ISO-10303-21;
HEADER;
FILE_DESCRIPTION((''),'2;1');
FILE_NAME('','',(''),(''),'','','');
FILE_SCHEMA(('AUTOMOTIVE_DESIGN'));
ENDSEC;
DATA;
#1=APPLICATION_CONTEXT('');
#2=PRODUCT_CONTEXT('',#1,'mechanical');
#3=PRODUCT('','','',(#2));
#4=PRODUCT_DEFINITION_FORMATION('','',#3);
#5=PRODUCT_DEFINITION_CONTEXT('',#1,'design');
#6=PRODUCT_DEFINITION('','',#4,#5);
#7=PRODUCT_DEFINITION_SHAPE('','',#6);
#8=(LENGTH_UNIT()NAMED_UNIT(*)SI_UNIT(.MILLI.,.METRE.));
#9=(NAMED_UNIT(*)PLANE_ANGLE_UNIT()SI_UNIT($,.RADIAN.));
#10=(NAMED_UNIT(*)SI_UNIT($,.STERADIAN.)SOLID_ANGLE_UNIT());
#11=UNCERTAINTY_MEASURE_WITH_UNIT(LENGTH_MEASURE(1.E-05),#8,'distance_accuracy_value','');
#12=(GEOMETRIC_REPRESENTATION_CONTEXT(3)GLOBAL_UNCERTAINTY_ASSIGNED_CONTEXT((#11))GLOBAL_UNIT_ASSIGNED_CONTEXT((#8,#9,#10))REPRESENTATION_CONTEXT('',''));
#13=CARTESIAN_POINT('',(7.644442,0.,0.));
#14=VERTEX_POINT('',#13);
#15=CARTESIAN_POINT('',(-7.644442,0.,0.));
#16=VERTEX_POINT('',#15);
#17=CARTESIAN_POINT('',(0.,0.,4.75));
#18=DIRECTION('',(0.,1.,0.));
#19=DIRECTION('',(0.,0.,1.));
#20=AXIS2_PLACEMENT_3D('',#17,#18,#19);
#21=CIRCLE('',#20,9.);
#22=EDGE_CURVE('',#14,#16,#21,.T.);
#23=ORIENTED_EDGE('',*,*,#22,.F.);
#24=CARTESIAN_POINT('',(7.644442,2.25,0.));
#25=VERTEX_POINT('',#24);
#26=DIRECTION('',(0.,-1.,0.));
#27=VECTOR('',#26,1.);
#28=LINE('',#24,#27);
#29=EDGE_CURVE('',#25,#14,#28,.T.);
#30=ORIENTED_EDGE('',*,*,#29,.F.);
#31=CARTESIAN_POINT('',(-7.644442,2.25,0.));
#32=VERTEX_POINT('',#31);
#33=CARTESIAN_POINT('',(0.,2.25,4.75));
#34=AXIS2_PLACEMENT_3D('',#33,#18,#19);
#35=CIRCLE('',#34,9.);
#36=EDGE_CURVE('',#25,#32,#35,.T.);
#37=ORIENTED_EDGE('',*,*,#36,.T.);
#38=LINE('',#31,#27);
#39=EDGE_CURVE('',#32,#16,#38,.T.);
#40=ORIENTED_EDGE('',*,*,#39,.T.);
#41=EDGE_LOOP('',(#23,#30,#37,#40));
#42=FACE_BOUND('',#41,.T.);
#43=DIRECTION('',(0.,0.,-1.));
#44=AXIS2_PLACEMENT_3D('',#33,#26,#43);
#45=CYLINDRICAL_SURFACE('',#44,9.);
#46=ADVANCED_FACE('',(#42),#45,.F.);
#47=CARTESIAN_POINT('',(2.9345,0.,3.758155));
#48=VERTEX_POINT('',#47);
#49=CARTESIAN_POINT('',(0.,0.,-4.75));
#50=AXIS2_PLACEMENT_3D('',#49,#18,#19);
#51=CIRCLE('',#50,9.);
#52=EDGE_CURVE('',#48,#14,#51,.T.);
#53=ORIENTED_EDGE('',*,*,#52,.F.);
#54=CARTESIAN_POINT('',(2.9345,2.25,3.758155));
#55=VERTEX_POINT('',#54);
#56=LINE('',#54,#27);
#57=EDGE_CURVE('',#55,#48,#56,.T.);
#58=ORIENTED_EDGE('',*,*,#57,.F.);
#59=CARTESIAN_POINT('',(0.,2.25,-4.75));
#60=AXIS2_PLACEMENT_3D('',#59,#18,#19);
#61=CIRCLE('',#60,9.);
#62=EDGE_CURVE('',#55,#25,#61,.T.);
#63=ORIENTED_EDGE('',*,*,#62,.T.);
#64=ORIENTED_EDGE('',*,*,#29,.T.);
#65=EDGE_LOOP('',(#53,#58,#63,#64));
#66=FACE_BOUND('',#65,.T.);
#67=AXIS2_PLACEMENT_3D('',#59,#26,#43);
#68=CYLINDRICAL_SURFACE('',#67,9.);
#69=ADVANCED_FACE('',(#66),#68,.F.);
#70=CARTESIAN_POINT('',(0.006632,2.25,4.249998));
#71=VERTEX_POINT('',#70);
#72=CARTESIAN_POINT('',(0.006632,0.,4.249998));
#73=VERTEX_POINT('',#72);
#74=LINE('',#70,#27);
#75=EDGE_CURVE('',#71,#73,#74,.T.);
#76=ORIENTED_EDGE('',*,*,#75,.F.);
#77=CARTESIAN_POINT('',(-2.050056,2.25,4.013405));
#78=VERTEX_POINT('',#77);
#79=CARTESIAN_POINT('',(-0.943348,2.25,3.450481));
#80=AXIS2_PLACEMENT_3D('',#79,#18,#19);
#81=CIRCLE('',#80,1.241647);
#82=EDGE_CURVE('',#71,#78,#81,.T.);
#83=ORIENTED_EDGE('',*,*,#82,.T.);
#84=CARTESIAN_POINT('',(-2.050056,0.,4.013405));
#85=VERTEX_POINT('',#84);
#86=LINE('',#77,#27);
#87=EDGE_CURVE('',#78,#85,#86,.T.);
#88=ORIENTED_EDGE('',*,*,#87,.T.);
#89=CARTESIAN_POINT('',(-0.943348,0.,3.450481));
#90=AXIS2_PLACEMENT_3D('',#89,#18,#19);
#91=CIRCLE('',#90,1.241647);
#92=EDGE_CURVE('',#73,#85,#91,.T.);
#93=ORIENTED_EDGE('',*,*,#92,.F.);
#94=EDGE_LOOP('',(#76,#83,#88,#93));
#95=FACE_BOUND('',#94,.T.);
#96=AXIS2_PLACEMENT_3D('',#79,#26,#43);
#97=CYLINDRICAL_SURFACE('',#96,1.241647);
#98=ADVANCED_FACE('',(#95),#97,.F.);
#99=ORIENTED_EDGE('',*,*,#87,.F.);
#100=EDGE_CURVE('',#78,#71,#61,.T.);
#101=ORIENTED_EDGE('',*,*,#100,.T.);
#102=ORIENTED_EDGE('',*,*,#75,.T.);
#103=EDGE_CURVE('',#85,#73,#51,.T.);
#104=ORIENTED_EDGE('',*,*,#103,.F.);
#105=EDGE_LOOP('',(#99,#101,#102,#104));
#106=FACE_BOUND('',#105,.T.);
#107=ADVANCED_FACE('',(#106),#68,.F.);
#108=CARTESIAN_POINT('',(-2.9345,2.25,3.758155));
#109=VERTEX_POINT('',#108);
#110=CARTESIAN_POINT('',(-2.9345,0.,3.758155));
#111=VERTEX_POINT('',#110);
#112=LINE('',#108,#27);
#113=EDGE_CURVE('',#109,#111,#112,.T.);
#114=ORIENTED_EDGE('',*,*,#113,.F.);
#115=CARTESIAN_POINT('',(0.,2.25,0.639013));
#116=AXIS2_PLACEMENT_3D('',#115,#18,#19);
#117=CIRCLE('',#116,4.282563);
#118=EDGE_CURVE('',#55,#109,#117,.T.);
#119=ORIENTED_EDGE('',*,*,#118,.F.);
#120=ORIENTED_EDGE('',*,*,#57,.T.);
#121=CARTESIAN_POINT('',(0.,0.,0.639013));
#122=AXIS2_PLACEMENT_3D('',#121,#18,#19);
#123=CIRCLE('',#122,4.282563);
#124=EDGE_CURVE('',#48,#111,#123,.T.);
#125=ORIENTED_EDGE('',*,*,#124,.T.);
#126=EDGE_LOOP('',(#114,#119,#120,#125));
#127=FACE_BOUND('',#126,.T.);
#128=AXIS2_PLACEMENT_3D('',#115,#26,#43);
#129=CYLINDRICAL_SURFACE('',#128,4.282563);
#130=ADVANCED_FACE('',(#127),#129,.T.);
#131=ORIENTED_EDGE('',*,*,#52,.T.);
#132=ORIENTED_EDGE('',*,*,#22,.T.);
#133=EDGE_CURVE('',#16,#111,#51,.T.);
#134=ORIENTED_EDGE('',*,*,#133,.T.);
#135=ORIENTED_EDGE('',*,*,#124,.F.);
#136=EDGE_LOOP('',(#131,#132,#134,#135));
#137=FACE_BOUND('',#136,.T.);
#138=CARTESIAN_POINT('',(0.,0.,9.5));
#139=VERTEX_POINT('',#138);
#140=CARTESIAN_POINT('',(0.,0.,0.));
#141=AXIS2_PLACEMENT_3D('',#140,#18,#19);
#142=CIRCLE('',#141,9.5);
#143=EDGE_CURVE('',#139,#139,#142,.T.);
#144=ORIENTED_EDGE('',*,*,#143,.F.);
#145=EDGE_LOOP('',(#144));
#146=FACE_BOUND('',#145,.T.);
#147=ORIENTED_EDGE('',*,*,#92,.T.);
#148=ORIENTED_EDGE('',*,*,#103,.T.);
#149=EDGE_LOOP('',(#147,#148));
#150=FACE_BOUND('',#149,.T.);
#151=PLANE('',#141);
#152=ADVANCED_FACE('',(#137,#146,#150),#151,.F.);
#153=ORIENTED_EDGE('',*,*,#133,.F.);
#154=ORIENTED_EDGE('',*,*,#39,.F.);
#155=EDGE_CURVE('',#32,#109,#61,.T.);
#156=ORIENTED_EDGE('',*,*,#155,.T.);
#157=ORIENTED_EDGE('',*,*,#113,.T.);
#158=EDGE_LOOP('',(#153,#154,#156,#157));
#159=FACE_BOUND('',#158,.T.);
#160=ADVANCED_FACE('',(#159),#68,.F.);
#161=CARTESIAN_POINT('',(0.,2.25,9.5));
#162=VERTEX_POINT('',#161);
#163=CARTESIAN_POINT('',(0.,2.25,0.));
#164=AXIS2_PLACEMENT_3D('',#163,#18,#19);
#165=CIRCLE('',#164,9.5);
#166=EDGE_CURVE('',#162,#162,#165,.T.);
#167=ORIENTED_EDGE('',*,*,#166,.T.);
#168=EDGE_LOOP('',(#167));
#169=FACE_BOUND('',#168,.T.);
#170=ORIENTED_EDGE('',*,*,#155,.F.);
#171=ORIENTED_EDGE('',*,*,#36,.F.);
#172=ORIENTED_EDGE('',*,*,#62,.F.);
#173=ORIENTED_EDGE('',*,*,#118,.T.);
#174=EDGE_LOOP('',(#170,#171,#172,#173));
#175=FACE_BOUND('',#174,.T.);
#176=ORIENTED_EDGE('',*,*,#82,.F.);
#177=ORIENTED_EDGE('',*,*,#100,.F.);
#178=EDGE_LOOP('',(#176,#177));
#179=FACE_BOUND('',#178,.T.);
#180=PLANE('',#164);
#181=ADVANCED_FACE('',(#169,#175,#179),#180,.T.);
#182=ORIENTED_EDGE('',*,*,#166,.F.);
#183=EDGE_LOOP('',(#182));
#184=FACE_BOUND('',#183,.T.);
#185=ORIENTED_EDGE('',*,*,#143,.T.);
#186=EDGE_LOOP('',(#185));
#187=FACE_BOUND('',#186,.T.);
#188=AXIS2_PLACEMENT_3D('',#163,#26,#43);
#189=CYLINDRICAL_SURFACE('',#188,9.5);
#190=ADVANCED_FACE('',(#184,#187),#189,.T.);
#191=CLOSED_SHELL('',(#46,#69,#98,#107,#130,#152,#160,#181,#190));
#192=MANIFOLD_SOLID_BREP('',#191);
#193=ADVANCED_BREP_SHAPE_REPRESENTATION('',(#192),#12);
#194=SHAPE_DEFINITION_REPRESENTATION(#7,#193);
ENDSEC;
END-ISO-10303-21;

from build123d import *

# Parameters (mm, degrees)
SKETCH1_R           = 9.5
BOSS_EXTRUDE1_DEPTH = 2.25


with BuildPart() as part:
    # Sketch1 → Boss-Extrude1 (new body)
    with BuildSketch(Plane(origin=(0, 0, 0), x_dir=(1, 0, 0), z_dir=(0, 1, 0))):
        Circle(SKETCH1_R)
        with BuildLine():
            ThreePointArc((-2.050056302, -4.013405112), (-0.801449739, -2.21696931), (0.006631996, -4.249997556))
            ThreePointArc((0.006631996, -4.249997556), (-1.028537661, -4.191035191), (-2.050056302, -4.013405112))
        make_face(mode=Mode.SUBTRACT)
        with BuildLine():
            ThreePointArc((7.644442426, 0), (5.613326884, -2.284952828), (2.934499964, -3.758155497))
            ThreePointArc((2.934499964, -3.758155497), (0, 3.643549808), (-2.934499964, -3.758155497))
            ThreePointArc((-2.934499964, -3.758155497), (-5.613326884, -2.284952828), (-7.644442426, 0))
            ThreePointArc((-7.644442426, 0), (0, 4.25), (7.644442426, 0))
        make_face(mode=Mode.SUBTRACT)
    extrude(amount=BOSS_EXTRUDE1_DEPTH)


solid = part.part
